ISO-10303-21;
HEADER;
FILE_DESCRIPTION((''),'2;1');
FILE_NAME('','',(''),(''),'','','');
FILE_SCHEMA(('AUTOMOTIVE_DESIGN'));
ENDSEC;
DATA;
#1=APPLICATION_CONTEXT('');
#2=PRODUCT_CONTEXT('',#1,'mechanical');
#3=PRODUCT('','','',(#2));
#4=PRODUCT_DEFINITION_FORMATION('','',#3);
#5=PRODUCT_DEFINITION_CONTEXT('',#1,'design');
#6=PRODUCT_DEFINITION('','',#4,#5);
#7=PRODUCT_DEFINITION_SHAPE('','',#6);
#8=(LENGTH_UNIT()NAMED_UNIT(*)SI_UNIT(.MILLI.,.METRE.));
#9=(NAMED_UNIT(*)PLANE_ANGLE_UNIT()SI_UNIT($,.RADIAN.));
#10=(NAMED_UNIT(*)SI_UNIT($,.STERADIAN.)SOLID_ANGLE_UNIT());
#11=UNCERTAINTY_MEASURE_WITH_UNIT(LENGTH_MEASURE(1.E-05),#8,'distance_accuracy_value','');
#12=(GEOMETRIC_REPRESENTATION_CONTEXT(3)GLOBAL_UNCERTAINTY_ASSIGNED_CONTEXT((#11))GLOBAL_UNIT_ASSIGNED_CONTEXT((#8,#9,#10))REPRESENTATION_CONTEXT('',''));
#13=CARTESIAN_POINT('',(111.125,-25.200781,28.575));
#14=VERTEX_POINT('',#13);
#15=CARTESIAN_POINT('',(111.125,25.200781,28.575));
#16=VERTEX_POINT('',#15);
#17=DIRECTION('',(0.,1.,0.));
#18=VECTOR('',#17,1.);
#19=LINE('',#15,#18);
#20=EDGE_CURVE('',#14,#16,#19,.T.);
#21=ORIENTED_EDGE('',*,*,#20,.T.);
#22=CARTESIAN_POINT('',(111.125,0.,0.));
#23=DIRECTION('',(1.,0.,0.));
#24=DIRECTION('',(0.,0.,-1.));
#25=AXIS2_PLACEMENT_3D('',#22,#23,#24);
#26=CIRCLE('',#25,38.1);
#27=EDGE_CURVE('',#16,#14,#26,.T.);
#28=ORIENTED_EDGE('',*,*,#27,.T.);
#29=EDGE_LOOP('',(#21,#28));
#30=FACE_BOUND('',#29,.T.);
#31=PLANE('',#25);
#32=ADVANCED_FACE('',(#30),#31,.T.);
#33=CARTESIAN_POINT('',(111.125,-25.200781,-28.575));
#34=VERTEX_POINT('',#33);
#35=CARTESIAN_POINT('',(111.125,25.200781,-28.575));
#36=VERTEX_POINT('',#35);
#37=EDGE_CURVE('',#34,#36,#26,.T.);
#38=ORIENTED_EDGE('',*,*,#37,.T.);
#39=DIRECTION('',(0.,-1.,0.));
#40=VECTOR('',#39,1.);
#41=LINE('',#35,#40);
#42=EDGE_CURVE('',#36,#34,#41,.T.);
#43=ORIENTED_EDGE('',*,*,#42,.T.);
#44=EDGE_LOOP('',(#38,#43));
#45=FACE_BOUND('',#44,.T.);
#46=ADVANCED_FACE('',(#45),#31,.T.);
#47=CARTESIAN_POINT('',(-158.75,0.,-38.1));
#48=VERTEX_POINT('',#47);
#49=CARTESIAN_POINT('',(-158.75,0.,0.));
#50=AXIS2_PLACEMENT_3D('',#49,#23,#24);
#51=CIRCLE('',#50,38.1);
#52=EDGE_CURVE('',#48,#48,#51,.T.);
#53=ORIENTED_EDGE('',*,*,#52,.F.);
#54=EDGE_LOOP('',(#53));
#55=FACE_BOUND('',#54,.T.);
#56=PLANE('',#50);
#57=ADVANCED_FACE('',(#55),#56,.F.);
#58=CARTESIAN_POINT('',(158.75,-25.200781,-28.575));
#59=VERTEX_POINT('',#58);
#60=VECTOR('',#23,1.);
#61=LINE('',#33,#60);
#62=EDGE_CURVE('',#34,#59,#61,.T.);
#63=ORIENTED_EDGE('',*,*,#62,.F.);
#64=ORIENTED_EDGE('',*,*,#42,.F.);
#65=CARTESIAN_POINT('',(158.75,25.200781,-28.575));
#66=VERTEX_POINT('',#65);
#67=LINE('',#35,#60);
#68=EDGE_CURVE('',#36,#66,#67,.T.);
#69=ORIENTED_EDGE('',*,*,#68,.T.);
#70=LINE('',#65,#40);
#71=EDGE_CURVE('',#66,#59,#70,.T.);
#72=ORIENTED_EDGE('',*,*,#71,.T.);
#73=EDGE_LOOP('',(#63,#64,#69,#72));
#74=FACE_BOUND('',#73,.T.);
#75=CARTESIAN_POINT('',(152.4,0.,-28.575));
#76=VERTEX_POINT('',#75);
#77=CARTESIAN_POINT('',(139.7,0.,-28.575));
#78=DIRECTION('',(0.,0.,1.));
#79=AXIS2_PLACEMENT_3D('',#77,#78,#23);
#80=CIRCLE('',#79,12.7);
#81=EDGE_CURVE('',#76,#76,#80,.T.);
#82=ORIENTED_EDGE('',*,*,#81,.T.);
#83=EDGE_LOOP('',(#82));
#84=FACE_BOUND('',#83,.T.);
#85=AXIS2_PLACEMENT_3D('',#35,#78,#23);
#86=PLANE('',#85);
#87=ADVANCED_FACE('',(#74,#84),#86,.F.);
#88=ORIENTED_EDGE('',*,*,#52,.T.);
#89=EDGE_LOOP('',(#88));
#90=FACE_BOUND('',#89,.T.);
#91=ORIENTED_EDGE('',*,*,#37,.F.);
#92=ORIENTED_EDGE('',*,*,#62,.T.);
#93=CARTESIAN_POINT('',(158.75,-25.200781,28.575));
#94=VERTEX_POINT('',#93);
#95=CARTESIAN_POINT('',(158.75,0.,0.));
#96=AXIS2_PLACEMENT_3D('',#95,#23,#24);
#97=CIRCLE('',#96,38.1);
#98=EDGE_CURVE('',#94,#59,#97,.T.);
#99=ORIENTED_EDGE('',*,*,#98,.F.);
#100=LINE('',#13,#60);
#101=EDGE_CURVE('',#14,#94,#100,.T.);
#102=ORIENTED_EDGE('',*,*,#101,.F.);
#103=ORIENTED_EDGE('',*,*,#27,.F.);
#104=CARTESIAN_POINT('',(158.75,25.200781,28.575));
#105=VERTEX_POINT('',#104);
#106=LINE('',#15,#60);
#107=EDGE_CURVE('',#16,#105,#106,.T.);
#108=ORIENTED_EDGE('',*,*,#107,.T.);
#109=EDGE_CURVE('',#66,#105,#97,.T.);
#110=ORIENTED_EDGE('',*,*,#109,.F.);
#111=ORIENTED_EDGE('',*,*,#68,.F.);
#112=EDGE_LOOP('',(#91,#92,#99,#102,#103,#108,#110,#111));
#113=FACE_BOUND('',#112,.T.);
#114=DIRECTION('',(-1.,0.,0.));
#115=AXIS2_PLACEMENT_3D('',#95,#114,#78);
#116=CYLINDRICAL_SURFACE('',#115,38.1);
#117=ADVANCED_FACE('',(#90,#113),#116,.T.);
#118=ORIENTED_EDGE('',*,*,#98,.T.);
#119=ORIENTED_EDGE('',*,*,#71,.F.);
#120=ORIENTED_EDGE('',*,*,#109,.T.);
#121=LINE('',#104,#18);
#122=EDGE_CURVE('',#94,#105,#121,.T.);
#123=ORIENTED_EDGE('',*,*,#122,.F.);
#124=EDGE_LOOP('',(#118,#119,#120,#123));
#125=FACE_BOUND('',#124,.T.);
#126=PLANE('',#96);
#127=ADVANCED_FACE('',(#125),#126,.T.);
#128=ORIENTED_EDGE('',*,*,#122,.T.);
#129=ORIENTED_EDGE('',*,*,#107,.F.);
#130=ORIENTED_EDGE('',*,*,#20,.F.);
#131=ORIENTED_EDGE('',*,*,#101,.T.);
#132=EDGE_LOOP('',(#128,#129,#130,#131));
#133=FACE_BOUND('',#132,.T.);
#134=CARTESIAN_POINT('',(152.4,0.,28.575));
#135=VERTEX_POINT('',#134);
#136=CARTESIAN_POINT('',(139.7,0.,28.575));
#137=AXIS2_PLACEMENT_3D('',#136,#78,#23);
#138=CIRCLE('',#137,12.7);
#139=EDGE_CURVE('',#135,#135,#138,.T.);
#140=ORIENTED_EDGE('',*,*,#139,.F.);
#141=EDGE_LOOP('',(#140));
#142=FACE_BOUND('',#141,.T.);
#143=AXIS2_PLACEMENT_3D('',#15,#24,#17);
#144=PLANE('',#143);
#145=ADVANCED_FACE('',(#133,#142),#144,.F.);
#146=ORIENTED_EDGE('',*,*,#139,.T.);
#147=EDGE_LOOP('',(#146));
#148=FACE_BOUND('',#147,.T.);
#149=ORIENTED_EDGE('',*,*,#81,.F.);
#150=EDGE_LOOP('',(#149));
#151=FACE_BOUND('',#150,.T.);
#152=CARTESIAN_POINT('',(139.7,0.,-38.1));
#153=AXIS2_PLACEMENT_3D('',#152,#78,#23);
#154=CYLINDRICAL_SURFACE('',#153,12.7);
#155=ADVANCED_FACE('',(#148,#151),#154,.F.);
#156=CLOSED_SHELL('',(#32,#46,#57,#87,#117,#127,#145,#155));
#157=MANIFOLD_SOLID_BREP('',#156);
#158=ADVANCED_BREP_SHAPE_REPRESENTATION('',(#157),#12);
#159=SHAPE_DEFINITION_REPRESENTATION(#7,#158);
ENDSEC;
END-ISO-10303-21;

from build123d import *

# Parameters (mm, degrees)
SKETCH2_R           = 38.1
BOSS_EXTRUDE1_DEPTH = 158.75
CUT_EXTRUDE1_DEPTH  = 47.625
SKETCH4_R           = 12.7
CUT_EXTRUDE2_DEPTH  = 67.675


with BuildPart() as part:
    # Sketch2 → Boss-Extrude1 (new body, symmetric)
    with BuildSketch(Plane(origin=(0, 0, 0), x_dir=(0, 0, -1), z_dir=(1, 0, 0))):
        Circle(SKETCH2_R)
    extrude(amount=BOSS_EXTRUDE1_DEPTH, both=True)

    # Sketch3 → Cut-Extrude1 (cut)
    with BuildSketch(Plane(origin=(158.75, 0, 0), x_dir=(0, 0, -1), z_dir=(1, 0, 0))):
        with BuildLine():
            Line((-28.575, 25.200781238), (-28.575, -25.200781238))
            ThreePointArc((-28.575, -25.200781238), (-38.1, 0), (-28.575, 25.200781238))
        make_face()
        with BuildLine():
            Line((28.575, 25.200781238), (28.575, -25.200781238))
            ThreePointArc((28.575, -25.200781238), (38.1, 0), (28.575, 25.200781238))
        make_face()
    extrude(amount=-CUT_EXTRUDE1_DEPTH, mode=Mode.SUBTRACT)

    # Sketch4 → Cut-Extrude2 (cut, through all)
    with BuildSketch(Plane.XY.offset(28.575)):
        with Locations((139.7, 0)):
            Circle(SKETCH4_R)
    extrude(amount=-CUT_EXTRUDE2_DEPTH, mode=Mode.SUBTRACT)


solid = part.part
